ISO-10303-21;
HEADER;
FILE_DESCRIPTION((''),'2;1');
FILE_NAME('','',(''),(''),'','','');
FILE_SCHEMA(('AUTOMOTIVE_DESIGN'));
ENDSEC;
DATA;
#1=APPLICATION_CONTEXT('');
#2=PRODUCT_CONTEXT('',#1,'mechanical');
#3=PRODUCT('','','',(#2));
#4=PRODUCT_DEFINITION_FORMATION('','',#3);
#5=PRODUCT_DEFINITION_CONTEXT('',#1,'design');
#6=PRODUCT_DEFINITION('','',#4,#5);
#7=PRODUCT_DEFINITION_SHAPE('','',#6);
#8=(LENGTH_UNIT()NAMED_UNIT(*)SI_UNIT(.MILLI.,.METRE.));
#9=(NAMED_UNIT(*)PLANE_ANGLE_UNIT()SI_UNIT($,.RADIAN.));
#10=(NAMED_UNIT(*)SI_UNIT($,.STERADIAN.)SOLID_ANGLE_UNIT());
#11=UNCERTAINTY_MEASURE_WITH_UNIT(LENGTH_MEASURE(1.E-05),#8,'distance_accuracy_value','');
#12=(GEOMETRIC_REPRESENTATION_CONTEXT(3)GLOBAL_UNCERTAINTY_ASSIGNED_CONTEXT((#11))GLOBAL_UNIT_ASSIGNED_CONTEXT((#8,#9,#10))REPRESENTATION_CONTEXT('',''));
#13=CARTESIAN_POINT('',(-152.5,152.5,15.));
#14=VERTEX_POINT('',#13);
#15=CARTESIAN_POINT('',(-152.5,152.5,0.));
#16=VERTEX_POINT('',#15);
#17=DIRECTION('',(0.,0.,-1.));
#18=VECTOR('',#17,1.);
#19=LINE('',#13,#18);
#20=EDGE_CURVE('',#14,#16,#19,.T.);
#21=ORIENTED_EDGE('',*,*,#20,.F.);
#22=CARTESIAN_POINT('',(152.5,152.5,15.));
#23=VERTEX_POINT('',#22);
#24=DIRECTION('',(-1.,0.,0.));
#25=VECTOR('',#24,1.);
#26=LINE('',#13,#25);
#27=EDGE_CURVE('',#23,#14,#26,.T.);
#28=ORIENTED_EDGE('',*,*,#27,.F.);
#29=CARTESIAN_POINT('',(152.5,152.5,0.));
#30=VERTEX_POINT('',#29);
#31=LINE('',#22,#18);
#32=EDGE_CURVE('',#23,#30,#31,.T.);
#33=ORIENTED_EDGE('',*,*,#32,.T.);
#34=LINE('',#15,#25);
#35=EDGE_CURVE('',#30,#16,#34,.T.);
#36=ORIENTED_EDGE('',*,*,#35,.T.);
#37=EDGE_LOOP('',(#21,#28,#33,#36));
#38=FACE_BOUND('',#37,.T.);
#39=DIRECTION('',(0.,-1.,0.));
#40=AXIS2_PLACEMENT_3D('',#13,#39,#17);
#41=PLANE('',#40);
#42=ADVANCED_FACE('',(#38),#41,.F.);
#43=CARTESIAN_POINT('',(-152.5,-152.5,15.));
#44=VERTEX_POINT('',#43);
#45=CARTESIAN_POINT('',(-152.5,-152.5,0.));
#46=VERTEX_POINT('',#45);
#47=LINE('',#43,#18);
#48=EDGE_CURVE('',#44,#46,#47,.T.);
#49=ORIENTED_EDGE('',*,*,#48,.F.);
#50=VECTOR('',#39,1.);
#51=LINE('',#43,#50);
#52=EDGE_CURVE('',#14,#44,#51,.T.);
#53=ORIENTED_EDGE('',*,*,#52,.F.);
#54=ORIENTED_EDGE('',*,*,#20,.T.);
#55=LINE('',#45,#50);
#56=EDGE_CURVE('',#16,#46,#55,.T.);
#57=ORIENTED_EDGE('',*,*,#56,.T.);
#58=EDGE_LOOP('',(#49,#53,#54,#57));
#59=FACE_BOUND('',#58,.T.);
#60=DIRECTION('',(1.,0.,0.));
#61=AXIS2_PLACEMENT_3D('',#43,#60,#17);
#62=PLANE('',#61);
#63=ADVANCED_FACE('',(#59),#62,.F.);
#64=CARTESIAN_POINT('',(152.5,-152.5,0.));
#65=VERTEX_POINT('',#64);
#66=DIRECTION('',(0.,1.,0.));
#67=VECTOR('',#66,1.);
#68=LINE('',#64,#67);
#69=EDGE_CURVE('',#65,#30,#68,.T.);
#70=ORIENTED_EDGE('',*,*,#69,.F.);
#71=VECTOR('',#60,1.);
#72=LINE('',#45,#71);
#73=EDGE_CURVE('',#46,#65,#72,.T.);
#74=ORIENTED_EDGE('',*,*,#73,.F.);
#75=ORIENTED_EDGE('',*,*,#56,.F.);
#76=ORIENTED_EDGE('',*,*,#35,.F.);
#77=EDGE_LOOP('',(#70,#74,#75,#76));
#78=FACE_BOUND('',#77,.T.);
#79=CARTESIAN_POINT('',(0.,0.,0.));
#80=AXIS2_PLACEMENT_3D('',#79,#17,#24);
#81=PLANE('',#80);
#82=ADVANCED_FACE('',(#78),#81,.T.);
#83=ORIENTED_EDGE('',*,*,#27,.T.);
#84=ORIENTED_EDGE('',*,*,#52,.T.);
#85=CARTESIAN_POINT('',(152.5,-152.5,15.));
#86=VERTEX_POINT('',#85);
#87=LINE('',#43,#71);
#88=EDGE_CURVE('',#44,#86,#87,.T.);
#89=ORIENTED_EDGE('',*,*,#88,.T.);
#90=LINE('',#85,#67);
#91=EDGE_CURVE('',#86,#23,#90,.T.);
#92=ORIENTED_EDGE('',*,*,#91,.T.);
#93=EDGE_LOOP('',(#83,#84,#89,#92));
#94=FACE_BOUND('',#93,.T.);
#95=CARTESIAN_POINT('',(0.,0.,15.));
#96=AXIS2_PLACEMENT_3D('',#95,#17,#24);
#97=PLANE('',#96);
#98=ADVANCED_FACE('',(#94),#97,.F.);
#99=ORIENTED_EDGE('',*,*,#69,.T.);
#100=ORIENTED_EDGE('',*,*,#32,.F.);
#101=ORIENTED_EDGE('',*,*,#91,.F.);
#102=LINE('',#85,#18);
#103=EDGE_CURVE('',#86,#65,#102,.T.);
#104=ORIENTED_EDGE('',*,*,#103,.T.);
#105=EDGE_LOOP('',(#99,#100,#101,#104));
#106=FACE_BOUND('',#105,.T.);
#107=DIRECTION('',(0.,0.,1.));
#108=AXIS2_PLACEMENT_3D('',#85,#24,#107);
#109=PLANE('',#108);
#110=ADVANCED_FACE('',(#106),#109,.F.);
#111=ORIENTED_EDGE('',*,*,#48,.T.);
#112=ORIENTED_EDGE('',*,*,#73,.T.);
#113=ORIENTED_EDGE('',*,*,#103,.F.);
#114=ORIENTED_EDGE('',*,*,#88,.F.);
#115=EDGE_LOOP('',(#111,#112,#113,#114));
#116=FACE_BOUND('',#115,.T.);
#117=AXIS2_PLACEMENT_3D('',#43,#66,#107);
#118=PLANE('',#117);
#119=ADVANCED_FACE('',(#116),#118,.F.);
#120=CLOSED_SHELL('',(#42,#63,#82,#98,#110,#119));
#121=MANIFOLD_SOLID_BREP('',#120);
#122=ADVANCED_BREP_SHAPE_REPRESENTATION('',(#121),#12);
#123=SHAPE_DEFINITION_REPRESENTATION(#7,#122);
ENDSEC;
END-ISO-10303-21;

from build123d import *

# Parameters (mm, degrees)
SKETCH1_W           = 305
SKETCH1_H           = 305
BOSS_EXTRUDE1_DEPTH = 15


with BuildPart() as part:
    # Sketch1 → Boss-Extrude1 (new body)
    with BuildSketch(Plane.XY):
        Rectangle(SKETCH1_W, SKETCH1_H)
    extrude(amount=BOSS_EXTRUDE1_DEPTH)


solid = part.part
